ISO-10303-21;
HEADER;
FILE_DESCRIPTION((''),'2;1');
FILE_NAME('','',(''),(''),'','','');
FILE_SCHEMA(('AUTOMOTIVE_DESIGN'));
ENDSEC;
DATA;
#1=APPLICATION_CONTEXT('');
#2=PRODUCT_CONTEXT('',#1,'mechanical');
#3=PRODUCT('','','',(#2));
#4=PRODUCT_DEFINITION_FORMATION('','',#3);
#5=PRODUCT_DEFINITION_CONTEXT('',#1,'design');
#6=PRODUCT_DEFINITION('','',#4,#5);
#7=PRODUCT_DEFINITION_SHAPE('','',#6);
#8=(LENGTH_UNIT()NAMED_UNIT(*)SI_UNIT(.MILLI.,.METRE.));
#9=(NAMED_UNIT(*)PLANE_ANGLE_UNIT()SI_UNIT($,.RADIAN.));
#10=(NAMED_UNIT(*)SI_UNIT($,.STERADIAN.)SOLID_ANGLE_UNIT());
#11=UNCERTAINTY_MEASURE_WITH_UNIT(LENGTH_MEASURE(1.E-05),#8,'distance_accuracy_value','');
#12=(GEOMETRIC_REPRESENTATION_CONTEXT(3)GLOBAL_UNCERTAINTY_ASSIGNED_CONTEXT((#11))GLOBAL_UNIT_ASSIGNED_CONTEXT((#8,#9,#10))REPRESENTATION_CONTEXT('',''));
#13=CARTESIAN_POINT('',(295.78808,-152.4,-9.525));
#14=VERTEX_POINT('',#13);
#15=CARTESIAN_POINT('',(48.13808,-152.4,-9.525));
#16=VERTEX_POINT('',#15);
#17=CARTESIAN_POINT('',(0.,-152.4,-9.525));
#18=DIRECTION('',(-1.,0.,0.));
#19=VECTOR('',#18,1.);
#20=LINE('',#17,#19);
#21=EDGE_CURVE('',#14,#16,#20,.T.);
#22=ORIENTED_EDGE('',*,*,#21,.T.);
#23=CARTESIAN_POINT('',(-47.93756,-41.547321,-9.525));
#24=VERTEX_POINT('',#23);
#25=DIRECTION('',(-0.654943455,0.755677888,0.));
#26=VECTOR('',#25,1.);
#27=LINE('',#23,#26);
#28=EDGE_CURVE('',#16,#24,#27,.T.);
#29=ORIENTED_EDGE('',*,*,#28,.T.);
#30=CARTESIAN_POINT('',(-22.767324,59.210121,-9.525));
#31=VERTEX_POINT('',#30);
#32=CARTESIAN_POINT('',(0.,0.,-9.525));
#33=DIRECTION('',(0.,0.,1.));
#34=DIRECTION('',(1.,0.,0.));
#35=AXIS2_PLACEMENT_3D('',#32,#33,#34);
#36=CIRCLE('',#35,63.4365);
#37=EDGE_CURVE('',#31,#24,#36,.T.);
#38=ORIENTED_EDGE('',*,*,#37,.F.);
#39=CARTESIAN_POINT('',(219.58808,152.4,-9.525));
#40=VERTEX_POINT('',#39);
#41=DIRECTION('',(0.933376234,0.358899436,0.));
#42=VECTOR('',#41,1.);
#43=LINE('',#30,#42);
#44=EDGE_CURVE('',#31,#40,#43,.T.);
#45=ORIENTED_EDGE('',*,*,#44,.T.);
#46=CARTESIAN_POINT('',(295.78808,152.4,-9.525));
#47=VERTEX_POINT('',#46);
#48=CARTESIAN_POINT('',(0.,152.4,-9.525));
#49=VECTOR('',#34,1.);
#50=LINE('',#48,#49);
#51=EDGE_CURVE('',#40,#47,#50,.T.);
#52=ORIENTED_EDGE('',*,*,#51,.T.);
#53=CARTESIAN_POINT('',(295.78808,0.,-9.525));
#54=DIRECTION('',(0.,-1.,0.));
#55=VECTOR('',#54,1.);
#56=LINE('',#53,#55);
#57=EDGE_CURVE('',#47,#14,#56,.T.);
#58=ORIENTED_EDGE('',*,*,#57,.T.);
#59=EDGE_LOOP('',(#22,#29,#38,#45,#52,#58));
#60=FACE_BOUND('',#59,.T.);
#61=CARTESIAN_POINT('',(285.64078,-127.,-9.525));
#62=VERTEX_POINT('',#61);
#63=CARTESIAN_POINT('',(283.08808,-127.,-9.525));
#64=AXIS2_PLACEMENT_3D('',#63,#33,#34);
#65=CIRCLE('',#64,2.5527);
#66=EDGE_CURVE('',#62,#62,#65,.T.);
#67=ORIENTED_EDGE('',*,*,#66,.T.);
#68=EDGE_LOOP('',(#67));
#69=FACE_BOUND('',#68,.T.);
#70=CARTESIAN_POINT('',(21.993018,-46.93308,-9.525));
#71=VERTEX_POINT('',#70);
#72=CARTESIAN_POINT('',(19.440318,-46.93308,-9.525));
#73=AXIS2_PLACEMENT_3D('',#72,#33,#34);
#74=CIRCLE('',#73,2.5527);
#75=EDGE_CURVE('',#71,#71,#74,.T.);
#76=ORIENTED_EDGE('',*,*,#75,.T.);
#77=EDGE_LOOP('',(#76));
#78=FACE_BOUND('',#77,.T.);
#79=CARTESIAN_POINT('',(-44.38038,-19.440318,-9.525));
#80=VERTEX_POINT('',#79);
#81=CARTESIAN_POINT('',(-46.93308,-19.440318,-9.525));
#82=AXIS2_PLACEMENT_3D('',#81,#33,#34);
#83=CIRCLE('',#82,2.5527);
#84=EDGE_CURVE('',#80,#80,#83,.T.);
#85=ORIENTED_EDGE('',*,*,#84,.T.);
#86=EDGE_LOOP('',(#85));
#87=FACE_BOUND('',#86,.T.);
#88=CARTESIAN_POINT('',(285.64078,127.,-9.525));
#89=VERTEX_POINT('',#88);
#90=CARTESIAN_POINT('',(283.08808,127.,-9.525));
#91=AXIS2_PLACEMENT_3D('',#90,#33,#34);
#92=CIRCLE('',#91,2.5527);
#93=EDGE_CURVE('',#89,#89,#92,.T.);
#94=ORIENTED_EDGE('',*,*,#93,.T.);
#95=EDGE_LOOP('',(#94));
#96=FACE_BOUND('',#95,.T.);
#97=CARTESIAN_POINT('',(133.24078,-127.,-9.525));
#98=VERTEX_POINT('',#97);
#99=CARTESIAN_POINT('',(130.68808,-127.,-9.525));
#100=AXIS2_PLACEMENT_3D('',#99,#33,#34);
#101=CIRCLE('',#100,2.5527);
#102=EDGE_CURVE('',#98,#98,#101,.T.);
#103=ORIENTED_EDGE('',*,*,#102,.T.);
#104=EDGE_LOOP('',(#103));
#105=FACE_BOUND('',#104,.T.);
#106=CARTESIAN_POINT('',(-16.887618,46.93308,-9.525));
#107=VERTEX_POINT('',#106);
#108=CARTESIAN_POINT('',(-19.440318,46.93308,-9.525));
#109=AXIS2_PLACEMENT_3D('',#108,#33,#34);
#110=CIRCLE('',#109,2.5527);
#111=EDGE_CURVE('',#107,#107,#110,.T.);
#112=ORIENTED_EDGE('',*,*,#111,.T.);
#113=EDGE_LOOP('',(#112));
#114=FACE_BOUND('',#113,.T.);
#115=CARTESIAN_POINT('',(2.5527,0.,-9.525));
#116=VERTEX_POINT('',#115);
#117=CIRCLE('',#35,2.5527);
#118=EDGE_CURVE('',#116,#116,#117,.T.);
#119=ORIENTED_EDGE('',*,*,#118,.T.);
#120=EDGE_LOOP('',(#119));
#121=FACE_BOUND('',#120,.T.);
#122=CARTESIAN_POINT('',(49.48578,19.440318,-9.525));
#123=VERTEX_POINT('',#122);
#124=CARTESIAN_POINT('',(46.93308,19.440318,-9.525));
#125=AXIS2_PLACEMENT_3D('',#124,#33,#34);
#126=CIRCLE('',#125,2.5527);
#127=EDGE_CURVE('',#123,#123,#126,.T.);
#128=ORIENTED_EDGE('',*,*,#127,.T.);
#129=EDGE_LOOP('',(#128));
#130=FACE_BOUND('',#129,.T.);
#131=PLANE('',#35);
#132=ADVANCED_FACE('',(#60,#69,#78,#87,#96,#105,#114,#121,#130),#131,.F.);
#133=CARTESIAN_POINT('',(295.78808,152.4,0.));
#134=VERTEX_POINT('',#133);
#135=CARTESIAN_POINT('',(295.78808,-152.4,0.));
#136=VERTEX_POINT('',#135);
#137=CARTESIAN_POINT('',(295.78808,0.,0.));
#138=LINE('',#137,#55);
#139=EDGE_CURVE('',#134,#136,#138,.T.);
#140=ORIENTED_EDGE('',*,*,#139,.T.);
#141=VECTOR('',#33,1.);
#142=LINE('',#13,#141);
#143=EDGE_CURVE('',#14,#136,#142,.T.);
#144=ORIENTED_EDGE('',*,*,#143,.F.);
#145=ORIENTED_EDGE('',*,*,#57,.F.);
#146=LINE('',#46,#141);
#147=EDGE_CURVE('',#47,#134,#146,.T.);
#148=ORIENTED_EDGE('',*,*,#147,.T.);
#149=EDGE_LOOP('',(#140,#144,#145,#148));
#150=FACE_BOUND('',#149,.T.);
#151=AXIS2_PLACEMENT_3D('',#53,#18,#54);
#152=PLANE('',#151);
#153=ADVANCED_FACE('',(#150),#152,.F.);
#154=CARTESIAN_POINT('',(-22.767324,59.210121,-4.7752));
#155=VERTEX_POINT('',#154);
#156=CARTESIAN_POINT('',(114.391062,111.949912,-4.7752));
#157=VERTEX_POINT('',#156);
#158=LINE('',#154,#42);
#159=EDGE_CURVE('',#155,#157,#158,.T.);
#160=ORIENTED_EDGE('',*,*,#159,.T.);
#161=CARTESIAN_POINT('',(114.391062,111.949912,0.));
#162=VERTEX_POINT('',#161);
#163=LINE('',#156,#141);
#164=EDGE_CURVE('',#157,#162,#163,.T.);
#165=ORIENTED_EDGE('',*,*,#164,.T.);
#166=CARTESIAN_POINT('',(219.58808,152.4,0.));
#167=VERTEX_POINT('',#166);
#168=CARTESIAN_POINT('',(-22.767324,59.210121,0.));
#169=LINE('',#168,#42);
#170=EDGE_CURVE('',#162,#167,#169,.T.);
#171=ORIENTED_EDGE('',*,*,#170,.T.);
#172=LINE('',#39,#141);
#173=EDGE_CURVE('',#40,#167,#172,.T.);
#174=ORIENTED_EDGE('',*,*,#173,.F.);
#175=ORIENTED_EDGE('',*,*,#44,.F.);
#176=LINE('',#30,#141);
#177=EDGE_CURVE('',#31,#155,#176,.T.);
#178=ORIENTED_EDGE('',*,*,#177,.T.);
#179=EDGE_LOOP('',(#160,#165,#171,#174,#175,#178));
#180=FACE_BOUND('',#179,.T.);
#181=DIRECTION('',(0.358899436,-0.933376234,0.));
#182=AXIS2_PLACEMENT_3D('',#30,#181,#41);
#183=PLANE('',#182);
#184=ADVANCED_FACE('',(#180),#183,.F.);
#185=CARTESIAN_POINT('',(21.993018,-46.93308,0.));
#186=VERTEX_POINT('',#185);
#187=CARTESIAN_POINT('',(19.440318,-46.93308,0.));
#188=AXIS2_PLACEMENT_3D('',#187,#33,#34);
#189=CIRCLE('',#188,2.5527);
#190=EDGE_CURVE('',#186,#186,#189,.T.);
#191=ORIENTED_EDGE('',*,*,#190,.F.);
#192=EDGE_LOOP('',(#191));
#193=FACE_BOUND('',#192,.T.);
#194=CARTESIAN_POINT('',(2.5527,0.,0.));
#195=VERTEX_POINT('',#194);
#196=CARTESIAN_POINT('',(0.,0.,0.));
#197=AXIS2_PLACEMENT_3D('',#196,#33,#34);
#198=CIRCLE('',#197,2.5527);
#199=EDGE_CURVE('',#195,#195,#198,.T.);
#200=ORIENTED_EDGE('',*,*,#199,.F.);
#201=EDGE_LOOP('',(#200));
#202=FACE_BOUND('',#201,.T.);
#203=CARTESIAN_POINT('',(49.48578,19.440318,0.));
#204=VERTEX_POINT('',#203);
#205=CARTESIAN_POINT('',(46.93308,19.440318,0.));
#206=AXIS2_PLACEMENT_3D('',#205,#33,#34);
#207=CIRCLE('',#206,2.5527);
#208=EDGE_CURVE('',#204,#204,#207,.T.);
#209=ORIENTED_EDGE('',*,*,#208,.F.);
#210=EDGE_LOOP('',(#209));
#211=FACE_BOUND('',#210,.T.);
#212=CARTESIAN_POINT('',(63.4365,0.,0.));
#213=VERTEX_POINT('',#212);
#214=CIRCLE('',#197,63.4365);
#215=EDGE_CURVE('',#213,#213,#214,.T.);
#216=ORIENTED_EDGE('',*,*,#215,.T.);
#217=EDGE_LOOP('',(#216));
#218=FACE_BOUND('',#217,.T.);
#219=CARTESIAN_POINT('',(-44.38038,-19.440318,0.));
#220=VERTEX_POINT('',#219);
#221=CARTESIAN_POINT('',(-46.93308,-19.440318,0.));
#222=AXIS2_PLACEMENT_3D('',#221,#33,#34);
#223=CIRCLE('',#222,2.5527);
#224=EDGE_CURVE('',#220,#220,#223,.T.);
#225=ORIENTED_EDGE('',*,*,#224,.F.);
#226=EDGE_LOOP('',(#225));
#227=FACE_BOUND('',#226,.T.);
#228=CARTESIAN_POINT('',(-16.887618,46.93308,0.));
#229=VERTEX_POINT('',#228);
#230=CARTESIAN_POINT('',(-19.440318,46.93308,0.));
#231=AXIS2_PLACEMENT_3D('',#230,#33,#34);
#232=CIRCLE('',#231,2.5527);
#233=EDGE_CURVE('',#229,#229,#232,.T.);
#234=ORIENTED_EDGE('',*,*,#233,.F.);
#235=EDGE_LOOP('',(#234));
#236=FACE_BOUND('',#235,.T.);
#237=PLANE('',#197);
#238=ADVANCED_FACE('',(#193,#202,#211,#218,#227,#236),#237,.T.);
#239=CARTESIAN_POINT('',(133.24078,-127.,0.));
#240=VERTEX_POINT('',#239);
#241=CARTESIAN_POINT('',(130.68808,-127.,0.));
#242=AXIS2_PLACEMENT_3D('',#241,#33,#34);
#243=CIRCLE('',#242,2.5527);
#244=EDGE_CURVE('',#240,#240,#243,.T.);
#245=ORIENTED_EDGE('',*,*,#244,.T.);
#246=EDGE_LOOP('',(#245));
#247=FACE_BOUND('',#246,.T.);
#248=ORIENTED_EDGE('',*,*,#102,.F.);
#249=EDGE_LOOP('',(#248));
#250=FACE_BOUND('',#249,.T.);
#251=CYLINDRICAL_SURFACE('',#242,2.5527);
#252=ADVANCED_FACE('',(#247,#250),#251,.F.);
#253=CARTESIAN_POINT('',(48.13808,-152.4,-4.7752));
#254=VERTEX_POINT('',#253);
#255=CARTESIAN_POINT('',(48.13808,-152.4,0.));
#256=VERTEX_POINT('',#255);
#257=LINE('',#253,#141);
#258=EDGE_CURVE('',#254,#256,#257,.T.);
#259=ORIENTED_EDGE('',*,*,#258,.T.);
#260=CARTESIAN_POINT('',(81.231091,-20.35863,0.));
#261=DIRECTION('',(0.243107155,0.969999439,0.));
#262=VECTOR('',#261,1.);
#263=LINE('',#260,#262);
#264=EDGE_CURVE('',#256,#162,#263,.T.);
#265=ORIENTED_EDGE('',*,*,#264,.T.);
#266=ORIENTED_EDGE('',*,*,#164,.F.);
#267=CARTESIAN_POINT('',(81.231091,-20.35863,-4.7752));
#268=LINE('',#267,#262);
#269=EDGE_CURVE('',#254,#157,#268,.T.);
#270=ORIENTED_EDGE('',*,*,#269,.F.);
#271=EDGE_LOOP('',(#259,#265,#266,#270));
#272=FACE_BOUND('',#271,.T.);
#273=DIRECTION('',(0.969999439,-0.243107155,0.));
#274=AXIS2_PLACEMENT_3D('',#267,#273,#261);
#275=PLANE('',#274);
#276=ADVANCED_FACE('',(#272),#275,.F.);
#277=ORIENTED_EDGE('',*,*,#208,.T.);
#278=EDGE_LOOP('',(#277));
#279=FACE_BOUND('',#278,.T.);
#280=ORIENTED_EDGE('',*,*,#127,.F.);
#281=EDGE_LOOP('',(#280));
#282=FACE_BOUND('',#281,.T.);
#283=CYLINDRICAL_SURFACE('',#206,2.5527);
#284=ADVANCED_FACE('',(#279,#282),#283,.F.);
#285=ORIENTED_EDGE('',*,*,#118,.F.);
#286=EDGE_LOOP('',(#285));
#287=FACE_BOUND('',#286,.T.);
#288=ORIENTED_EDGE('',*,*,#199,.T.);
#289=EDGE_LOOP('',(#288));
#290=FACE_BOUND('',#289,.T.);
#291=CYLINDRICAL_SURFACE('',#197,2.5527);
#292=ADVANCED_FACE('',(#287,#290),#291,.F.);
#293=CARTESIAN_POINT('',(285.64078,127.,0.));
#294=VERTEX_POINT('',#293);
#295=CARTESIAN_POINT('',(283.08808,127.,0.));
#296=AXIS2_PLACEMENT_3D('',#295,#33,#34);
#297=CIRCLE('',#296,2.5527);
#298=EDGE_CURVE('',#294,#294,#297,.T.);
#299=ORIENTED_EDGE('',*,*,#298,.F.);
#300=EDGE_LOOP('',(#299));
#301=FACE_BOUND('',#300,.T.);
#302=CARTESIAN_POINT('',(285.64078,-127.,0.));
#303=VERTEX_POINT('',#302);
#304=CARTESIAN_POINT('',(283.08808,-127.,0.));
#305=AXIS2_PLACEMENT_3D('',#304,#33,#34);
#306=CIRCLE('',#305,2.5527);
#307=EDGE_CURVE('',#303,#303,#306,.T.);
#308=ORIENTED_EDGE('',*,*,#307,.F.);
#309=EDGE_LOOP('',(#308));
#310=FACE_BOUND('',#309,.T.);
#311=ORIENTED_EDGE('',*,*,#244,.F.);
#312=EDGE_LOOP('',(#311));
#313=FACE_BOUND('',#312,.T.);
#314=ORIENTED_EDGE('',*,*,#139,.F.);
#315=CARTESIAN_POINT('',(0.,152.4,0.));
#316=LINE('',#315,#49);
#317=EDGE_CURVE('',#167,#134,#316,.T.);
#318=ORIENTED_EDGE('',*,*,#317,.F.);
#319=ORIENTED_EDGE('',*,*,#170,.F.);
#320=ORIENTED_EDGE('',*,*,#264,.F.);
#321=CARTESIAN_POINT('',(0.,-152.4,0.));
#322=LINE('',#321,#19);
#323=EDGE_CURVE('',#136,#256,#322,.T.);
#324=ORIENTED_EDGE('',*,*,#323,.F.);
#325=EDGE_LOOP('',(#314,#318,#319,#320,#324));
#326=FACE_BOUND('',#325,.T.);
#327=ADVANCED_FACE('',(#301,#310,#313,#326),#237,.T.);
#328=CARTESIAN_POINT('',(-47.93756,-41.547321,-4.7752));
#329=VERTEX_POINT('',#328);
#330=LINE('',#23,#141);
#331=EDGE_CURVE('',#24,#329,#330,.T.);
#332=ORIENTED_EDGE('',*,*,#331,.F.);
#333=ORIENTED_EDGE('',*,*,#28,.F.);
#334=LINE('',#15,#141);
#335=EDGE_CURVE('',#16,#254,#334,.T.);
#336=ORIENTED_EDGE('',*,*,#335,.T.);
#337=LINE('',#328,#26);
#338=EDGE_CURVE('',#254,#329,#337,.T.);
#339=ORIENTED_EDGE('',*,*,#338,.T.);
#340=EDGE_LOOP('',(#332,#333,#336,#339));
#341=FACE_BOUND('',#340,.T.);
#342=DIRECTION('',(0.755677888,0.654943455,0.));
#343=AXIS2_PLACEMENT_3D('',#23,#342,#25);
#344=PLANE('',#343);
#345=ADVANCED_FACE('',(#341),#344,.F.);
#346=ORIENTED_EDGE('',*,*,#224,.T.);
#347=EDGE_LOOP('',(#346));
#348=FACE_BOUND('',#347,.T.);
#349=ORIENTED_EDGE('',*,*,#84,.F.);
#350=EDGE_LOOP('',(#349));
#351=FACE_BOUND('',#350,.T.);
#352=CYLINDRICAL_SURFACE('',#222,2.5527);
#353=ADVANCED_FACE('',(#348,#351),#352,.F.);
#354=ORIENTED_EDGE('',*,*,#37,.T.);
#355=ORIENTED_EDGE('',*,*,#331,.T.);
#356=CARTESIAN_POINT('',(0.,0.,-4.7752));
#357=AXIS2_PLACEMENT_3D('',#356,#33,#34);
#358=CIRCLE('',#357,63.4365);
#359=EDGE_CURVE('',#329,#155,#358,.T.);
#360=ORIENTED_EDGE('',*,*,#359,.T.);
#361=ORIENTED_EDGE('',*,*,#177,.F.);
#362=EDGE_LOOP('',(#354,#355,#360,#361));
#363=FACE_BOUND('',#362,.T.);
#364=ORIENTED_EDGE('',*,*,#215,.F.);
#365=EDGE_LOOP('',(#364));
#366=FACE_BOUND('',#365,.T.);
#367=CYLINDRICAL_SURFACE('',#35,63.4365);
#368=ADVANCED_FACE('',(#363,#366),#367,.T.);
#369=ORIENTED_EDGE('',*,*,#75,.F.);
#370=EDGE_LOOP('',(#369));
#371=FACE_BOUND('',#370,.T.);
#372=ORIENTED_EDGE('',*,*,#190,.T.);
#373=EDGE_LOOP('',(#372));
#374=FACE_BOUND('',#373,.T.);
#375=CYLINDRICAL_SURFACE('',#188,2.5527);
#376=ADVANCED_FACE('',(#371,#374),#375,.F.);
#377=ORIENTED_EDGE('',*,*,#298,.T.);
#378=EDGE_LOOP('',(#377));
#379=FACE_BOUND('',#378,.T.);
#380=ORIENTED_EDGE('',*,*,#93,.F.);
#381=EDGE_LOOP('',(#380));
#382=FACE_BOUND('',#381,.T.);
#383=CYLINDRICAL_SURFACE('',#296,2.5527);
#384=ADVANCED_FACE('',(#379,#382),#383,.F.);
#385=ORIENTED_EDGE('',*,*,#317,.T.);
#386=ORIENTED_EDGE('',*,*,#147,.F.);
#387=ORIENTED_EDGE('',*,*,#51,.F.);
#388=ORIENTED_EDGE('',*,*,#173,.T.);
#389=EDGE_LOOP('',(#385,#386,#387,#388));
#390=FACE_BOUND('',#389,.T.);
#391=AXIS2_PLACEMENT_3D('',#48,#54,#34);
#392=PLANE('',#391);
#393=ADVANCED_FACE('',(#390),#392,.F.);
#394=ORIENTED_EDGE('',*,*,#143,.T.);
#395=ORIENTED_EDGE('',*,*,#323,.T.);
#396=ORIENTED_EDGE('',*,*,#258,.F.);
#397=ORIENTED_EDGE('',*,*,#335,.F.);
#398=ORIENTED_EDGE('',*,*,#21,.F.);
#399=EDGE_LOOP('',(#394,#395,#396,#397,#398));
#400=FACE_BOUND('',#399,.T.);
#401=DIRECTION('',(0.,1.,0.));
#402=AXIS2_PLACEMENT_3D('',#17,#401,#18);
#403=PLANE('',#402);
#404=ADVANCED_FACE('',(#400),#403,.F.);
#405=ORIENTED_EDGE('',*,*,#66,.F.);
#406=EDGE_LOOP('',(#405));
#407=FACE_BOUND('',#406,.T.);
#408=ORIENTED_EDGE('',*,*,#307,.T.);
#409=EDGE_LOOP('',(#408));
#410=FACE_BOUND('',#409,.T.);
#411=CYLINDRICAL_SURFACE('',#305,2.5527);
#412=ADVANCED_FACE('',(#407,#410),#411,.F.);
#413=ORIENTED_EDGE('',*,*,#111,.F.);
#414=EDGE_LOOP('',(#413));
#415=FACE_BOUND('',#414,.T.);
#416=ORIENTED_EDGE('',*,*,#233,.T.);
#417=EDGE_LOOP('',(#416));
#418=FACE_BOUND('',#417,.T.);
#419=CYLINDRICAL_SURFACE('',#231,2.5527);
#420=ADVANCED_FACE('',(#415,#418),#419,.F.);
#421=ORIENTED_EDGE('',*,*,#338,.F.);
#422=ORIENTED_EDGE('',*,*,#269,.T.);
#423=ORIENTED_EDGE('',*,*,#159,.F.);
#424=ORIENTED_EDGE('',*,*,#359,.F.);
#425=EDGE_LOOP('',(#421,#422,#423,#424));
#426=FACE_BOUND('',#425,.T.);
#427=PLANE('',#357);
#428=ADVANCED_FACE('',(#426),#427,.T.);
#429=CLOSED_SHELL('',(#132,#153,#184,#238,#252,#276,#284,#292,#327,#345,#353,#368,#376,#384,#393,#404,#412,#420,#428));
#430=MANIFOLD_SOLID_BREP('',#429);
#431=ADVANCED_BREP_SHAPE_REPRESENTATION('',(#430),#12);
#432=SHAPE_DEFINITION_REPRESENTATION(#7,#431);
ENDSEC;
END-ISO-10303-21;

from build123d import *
from build123d.topology import SkipClean

# Parameters (mm, degrees)
BOSS_EXTRUDE1_DEPTH     = 9.525
CUT_EXTRUDE4_DEPTH      = 4.7752
F_1_4_20_TAPPED_HOLE1_D = 5.1054


with BuildPart() as part:
    # Sketch1 → Boss-Extrude1 (new body)
    with BuildSketch(Plane.XY):
        with BuildLine():
            ThreePointArc((-22.767324083, 59.210121486), (-61.545192335, 15.374616506), (-47.937560329, -41.547320514))
            Line((-47.937560329, -41.547320514), (48.13808, -152.4))
            Line((48.13808, -152.4), (295.78808, -152.4))
            Line((295.78808, -152.4), (295.78808, 152.4))
            Line((295.78808, 152.4), (219.58808, 152.4))
            Line((219.58808, 152.4), (-22.767324083, 59.210121486))
        make_face()
    extrude(amount=-BOSS_EXTRUDE1_DEPTH)

    # Sketch1_5 → Cut-Extrude4 (cut)
    with SkipClean():  # keep this step's faces unmerged: merging them makes the solid invalid here
        with BuildSketch(Plane.XY):
            with BuildLine():
                Line((114.391061614, 111.949912244), (-22.767324083, 59.210121486))
                ThreePointArc((-22.767324083, 59.210121486), (35.915944774, 52.289907661), (63.4365, 0))
                ThreePointArc((63.4365, 0), (22.172037417, -59.435597827), (-47.937560329, -41.547320514))
                Line((-47.937560329, -41.547320514), (48.13808, -152.4))
                Line((48.13808, -152.4), (114.391061614, 111.949912244))
            make_face()
        extrude(amount=-CUT_EXTRUDE4_DEPTH, mode=Mode.SUBTRACT)

    # 1_4-20 Tapped Hole1 (through all)
    with Locations(Plane.XY):
        with Locations((283.08808, 127), (283.08808, -127), (130.68808, -127), (46.933080252, 19.440318364), (19.440318364, -46.933080252), (-46.933080252, -19.440318364), (-19.440318364, 46.933080252), (0, 0)):
            Hole(F_1_4_20_TAPPED_HOLE1_D / 2)


solid = part.part
